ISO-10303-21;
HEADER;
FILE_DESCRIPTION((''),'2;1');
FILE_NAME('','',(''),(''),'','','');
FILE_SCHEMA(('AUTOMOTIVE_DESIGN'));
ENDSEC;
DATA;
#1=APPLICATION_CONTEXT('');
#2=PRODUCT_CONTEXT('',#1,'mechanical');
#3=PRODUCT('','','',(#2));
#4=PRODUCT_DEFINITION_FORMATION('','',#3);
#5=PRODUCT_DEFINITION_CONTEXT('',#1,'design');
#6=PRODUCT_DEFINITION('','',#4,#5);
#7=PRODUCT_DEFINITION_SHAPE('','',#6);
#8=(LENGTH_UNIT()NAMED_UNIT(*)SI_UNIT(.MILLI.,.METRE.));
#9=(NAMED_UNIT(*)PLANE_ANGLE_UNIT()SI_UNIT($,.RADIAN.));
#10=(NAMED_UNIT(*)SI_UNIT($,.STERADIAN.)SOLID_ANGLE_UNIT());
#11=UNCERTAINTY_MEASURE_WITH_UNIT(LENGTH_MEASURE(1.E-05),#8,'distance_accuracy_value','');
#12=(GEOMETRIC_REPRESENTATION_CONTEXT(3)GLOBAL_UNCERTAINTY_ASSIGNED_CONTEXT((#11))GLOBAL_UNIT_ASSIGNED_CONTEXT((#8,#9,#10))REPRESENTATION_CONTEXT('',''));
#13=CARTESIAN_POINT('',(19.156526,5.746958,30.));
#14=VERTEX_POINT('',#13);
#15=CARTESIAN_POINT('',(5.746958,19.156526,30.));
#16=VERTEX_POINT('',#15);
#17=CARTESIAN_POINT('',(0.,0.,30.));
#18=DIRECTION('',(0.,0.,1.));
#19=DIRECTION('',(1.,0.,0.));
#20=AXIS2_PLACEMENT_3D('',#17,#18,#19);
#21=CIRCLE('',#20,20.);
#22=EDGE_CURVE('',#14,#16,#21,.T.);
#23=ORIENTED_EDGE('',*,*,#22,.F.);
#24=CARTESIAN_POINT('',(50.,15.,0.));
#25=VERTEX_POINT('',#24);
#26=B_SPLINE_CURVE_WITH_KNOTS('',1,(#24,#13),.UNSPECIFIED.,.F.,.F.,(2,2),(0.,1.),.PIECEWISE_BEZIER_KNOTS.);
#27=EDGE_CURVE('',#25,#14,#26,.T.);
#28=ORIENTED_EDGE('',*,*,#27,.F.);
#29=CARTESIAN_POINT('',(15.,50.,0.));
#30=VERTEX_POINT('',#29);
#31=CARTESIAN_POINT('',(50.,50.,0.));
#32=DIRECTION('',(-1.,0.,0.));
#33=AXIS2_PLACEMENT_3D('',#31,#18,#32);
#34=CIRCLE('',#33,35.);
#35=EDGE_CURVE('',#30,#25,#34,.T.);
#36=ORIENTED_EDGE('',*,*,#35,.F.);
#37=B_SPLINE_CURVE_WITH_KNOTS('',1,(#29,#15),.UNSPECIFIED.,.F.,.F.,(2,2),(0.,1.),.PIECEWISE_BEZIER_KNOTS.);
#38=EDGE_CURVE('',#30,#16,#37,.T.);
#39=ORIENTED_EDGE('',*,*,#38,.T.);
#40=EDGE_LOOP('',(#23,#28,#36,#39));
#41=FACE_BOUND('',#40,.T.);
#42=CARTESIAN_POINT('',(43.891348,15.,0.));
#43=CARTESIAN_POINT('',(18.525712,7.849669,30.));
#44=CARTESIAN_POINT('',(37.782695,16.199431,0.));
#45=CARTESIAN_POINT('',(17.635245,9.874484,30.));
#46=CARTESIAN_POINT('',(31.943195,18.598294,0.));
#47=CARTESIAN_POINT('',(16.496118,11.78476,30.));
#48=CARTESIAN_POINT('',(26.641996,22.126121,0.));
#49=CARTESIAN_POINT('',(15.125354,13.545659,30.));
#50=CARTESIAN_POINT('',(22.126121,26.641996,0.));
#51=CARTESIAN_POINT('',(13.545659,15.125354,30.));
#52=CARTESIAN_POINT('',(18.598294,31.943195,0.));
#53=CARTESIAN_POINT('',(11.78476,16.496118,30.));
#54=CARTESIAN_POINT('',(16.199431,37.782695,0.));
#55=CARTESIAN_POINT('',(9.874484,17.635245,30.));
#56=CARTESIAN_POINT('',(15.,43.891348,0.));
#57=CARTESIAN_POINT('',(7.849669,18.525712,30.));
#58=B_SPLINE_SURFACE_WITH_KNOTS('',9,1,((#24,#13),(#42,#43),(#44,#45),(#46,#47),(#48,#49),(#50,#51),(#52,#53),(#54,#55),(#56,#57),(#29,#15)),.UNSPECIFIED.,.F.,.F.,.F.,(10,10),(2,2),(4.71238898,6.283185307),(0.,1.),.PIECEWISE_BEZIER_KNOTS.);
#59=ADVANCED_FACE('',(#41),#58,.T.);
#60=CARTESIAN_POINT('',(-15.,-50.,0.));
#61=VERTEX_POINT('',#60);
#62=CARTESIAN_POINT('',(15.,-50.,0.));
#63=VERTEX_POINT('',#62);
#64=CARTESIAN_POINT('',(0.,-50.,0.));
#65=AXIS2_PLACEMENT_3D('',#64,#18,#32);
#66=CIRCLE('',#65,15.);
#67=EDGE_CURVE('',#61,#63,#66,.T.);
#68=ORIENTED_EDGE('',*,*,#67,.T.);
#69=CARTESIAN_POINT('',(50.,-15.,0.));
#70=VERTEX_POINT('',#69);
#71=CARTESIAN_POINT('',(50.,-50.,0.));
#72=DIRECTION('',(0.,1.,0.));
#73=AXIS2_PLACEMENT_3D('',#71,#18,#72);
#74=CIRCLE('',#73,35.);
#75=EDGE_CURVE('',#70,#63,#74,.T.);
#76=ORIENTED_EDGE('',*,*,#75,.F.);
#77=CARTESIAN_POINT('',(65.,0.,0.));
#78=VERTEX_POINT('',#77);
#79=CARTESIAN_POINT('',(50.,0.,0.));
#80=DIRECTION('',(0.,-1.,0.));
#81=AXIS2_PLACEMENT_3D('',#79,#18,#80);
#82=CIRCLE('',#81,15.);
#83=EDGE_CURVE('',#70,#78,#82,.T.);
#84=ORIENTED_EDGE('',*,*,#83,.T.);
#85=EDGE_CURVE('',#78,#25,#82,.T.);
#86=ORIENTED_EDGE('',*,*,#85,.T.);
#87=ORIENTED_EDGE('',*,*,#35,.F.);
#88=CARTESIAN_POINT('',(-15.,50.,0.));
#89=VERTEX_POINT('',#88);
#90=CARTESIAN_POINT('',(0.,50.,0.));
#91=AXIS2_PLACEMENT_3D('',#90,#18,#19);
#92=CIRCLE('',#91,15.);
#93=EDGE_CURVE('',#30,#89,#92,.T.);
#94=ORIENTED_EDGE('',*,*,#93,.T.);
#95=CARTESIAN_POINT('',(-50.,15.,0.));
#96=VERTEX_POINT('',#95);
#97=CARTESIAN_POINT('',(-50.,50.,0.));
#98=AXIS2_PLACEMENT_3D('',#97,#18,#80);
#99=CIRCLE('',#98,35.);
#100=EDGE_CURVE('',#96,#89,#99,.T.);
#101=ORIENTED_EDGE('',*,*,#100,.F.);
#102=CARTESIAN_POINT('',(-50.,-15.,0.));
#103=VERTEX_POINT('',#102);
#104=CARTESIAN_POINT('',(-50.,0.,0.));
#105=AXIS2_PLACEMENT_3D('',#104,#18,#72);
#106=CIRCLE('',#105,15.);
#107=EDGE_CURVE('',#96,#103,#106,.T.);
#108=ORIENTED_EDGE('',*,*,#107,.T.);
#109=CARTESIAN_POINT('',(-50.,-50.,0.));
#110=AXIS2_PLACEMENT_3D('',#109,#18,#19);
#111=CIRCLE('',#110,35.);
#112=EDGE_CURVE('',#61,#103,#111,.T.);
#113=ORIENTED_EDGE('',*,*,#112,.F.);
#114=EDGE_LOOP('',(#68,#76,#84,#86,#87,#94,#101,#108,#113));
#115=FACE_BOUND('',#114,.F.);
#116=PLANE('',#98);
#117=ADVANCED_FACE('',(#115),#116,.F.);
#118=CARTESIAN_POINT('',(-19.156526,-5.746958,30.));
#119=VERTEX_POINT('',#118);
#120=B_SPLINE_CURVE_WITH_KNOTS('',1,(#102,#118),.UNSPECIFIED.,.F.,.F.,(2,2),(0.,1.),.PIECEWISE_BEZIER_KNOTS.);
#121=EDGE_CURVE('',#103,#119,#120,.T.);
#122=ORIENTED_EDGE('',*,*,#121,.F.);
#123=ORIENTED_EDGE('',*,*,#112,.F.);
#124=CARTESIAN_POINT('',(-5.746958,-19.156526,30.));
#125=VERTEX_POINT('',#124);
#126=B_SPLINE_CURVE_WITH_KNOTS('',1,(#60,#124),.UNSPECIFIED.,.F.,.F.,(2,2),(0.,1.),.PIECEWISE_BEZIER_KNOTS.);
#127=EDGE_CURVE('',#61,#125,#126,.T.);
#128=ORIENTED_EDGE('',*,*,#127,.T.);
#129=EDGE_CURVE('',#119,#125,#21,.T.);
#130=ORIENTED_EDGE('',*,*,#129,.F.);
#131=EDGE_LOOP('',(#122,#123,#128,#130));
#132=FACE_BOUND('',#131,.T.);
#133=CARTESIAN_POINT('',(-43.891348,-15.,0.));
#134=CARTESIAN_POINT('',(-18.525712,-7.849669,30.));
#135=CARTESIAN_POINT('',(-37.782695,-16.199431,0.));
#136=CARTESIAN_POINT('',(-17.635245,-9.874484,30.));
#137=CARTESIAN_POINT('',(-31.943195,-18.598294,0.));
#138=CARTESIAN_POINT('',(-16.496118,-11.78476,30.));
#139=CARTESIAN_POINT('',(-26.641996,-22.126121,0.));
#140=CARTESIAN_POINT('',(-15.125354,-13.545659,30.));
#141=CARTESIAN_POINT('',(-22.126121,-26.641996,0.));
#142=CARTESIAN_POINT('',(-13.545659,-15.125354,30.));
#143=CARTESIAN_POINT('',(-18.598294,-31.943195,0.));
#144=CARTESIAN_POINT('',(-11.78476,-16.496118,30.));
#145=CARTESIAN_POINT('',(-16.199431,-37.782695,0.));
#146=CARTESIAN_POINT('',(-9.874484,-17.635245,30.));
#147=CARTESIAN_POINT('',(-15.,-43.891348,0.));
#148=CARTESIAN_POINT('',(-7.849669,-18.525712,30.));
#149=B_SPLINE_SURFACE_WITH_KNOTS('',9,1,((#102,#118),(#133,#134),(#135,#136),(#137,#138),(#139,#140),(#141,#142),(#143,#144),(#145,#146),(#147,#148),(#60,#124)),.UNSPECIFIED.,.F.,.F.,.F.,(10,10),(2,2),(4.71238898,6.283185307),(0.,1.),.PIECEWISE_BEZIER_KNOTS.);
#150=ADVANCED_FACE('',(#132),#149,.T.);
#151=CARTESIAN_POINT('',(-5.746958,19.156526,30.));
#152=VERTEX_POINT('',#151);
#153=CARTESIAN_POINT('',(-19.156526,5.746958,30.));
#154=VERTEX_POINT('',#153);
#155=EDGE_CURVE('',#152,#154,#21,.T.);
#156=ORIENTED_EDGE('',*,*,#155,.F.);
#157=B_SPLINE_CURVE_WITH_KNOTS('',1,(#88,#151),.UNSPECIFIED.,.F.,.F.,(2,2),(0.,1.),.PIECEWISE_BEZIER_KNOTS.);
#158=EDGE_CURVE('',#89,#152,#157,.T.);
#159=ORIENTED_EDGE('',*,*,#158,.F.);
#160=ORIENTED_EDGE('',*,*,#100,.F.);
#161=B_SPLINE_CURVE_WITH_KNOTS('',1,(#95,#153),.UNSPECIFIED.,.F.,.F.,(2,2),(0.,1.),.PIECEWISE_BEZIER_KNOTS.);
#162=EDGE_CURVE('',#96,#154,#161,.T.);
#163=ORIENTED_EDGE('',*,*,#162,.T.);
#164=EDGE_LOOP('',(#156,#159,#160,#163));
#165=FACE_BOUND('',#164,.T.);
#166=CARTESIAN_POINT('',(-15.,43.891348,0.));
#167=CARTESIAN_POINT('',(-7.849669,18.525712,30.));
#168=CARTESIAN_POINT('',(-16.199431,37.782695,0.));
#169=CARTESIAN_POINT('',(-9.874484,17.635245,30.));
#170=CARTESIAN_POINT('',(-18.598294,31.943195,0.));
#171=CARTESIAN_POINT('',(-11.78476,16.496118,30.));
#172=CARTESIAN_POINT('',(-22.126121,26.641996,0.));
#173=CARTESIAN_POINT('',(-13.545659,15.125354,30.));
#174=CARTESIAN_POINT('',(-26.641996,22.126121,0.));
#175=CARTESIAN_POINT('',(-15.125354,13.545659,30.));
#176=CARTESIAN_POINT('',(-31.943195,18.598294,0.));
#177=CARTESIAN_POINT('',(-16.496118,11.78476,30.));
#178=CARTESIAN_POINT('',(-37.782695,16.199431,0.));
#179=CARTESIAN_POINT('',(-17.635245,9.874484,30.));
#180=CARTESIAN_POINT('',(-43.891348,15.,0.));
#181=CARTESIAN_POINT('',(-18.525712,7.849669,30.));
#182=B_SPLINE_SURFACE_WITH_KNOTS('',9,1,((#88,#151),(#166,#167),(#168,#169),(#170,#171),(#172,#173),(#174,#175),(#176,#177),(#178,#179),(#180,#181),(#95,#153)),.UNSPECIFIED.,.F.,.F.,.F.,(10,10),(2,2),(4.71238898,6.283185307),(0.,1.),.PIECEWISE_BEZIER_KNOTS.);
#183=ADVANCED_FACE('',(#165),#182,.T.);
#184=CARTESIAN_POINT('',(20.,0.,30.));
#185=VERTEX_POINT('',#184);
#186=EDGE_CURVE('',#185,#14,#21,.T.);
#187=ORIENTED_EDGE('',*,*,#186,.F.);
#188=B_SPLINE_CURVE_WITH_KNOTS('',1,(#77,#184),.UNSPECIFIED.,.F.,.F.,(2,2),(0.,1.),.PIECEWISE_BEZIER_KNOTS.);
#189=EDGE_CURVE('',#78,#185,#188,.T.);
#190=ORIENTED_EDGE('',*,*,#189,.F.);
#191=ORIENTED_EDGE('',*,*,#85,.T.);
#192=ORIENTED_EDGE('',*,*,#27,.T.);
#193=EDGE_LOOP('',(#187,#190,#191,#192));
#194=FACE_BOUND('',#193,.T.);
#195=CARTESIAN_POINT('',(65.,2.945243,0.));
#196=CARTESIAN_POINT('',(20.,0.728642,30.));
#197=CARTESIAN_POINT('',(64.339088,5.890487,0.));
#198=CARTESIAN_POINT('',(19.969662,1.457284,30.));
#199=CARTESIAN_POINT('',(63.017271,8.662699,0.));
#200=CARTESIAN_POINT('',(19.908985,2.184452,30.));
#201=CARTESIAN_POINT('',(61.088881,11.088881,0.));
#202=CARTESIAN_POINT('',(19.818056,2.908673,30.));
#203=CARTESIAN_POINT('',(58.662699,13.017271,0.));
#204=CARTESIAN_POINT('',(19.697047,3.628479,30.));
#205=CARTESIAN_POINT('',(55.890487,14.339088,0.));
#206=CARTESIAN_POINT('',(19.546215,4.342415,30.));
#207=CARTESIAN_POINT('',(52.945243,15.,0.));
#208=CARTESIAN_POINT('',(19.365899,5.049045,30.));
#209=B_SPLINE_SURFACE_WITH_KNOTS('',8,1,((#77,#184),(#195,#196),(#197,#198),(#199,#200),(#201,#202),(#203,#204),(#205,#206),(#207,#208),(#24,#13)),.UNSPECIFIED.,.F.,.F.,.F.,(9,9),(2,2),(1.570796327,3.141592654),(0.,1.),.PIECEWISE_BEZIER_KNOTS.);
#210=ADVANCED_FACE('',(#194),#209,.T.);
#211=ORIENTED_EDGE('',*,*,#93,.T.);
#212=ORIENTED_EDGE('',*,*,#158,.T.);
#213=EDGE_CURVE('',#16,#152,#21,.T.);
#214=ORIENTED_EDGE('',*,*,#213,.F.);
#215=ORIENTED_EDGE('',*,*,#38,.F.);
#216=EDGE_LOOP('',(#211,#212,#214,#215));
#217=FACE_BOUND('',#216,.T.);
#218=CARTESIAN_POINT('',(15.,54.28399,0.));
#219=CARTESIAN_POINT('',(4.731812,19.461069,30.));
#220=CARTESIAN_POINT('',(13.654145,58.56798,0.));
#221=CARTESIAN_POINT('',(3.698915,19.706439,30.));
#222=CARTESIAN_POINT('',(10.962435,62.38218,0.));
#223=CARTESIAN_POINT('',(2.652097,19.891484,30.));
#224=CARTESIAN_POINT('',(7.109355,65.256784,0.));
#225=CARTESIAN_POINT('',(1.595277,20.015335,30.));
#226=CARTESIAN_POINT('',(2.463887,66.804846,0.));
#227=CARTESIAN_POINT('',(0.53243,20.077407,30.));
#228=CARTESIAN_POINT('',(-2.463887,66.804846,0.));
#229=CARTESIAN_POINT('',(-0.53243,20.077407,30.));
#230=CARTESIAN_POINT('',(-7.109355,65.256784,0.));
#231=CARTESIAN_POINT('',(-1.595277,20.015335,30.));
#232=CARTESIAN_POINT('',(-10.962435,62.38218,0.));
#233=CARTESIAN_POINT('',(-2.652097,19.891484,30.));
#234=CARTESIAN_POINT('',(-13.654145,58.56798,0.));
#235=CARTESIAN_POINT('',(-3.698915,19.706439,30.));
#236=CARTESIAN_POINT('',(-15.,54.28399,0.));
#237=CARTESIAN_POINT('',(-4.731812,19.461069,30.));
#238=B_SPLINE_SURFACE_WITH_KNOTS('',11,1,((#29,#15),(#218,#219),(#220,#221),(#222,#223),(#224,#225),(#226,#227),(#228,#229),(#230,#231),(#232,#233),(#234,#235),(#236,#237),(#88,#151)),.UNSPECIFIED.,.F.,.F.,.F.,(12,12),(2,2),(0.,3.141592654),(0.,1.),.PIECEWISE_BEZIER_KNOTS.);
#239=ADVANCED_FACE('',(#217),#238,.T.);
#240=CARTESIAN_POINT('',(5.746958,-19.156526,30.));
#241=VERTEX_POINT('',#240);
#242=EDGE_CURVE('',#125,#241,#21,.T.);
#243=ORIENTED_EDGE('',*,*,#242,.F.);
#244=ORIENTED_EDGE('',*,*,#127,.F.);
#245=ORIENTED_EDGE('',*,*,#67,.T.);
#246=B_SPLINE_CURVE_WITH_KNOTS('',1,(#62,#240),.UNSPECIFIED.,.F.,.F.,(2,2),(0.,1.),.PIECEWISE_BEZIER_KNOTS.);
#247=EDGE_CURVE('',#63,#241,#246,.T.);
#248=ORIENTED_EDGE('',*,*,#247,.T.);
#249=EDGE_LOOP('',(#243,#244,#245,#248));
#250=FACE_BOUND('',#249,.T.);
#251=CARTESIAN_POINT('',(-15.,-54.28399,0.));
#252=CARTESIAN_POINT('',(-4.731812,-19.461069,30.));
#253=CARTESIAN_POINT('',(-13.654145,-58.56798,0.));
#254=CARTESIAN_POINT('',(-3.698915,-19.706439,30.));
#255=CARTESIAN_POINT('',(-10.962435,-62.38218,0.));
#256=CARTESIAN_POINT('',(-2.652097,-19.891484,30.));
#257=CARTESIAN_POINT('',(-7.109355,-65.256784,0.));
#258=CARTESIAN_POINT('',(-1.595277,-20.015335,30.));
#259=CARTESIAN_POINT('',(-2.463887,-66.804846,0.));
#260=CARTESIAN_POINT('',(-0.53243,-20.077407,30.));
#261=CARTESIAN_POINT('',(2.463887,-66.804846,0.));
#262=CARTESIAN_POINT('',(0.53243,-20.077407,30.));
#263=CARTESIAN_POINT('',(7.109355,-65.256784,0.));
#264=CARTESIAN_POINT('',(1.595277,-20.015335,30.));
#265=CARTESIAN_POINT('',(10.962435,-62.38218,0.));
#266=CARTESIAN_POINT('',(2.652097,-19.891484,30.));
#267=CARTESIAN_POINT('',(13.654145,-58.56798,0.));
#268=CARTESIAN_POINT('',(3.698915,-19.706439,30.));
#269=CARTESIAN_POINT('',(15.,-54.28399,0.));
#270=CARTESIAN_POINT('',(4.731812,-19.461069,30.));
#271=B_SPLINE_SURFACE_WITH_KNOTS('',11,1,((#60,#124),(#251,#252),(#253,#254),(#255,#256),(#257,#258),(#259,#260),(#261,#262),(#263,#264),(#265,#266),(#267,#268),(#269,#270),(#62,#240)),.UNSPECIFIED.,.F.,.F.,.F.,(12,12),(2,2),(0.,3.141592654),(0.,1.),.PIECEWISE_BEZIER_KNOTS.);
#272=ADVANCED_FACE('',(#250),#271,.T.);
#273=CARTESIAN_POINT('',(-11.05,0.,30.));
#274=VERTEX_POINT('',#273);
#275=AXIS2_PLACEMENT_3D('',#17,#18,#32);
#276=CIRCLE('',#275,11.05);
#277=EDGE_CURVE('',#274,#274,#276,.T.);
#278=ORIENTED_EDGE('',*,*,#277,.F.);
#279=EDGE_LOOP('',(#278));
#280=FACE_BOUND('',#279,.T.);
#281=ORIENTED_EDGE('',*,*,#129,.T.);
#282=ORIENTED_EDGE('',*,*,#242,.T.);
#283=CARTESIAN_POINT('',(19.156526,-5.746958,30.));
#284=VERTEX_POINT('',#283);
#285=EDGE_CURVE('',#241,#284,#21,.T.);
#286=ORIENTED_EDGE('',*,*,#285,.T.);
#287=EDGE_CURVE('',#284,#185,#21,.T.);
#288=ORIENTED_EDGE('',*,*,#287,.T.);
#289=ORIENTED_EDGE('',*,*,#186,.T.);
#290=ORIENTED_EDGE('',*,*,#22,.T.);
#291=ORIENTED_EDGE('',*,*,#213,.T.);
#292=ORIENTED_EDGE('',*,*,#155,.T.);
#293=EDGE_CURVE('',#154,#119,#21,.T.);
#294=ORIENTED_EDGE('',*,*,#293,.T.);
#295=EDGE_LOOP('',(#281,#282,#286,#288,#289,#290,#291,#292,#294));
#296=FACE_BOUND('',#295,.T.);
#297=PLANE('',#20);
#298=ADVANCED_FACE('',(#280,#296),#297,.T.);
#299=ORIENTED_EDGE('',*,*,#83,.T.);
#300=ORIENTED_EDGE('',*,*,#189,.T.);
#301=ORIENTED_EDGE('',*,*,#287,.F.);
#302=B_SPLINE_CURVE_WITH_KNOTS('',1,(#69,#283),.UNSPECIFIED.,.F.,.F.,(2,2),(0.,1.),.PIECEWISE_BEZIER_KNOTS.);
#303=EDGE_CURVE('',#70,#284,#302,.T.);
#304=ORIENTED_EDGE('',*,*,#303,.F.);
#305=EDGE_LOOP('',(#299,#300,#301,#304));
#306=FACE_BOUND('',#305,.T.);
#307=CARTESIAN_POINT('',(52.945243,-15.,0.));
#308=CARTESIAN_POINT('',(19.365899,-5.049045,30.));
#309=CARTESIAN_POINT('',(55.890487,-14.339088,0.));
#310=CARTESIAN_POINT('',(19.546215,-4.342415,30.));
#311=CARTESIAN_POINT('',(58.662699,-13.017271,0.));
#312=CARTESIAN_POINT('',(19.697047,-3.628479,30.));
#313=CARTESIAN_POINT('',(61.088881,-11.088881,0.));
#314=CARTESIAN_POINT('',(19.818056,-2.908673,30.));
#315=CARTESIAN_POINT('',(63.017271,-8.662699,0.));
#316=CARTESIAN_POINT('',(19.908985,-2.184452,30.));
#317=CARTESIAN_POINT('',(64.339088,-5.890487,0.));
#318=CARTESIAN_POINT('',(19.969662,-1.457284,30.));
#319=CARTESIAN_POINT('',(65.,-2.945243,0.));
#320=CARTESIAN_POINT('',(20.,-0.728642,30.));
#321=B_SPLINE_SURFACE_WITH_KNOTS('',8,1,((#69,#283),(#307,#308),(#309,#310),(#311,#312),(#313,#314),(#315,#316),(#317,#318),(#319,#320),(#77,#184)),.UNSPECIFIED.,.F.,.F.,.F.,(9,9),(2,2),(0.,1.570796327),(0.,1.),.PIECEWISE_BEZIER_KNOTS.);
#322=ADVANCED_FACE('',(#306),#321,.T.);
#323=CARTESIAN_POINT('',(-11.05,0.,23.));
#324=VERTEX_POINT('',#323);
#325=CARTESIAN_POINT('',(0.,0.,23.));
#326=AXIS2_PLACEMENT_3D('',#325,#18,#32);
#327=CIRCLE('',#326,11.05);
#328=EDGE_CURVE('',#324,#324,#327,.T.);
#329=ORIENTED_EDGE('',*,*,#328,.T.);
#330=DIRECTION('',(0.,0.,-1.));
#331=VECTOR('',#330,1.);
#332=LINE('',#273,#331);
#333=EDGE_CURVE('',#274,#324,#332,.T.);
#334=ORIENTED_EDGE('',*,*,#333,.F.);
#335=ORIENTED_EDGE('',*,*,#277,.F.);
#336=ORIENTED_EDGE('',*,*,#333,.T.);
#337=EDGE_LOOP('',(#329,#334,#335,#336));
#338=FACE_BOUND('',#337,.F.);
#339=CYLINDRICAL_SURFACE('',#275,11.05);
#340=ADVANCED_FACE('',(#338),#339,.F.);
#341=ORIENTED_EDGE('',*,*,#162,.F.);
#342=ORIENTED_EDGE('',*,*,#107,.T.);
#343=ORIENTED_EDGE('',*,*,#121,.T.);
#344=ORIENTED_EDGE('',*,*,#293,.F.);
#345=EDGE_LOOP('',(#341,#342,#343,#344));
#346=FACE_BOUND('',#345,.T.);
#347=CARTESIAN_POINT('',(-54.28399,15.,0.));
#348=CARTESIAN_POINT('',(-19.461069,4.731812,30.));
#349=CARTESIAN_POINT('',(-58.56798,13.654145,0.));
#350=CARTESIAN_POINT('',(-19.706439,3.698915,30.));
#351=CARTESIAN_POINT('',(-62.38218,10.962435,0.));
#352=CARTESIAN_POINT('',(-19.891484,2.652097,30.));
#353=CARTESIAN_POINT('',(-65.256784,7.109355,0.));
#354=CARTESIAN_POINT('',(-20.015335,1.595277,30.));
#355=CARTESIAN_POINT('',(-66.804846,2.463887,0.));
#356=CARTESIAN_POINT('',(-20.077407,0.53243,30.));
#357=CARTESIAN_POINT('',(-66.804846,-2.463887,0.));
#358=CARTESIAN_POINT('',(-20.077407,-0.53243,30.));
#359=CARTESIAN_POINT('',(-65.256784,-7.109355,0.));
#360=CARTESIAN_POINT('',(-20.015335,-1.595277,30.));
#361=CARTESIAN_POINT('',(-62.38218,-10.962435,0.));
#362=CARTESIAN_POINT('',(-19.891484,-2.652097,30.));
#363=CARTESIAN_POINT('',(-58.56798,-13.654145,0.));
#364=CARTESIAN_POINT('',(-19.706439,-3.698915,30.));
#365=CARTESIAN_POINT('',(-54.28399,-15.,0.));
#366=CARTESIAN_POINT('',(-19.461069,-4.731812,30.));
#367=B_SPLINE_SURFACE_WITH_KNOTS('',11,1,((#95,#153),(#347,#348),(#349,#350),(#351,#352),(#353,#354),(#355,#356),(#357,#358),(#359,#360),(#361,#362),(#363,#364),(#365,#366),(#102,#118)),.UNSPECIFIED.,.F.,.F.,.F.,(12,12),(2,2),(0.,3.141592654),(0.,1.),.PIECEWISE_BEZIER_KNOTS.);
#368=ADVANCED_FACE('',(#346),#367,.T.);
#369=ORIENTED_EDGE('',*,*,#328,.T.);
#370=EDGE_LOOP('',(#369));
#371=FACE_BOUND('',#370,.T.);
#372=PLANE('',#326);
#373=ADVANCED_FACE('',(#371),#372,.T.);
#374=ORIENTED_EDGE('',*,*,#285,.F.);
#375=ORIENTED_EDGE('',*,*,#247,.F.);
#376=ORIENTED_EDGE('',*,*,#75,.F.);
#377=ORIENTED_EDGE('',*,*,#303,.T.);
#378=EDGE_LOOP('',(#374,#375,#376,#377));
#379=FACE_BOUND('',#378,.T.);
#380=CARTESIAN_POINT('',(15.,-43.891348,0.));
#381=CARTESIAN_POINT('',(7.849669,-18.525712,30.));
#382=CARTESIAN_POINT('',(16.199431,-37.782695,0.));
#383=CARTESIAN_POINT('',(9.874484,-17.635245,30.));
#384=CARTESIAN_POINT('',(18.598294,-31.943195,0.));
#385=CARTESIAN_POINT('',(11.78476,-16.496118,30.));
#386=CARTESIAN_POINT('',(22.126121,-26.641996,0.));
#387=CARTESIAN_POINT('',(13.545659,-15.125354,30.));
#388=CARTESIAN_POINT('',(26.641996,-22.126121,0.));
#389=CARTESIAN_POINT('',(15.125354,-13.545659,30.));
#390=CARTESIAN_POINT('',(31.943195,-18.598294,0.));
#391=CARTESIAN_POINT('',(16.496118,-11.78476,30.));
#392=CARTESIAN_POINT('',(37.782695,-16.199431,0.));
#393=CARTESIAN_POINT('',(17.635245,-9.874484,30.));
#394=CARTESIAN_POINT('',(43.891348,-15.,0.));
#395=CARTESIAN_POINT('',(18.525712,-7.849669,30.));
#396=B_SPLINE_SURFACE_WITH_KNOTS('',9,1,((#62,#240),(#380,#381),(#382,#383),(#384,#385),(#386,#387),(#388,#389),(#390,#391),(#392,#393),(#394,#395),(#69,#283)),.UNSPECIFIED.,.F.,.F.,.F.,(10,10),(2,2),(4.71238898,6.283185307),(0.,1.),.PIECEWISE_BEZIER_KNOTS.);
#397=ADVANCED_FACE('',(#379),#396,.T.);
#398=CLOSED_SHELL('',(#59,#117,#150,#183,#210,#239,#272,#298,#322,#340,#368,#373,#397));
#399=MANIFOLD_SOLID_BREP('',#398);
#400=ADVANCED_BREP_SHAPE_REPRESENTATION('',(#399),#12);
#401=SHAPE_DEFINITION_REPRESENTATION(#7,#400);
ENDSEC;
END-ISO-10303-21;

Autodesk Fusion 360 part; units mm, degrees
sketch "Sketch1" plane through (0, 0, 0) normal (0, 0, 1) x (1, 0, 0)
  line L0 (-50, 0) -> (50, 0) construction
  line L1 (0, 50) -> (0, -50) construction
  arc A0 (-50, 15) -> (-15, 50) centre (-50, 50) ccw
  arc A1 (15, 50) -> (50, 15) centre (50, 50) ccw
  arc A2 (50, -15) -> (15, -50) centre (50, -50) ccw
  arc A3 (-15, -50) -> (-50, -15) centre (-50, -50) ccw
  arc A4 (-50, 15) -> (-50, -15) centre (-50, 0) ccw
  arc A5 (15, 50) -> (-15, 50) centre (0, 50) ccw
  arc A6 (50, -15) -> (50, 15) centre (50, 0) ccw
  arc A7 (-15, -50) -> (15, -50) centre (0, -50) ccw
  dimension "d2" = 100
  dimension "d3" = 100
  dimension "d4" = 30
ref_plane "WorkPlane1" through (0, 0, 30) normal (0, 0, 1) x (1, 0, 0)
sketch "Sketch2" plane through (0, 0, 30) normal (0, 0, 1) x (1, 0, 0)
  circle A0 centre (0, 0) radius 20
loft "Loft1" add profiles "Sketch1", "Sketch2" section 1 section 2
sketch "Sketch3" plane through (0, 0, 30) normal (0, 0, 1) x (-1, 0, 0)
  circle A0 centre (0, 0) radius 20
  circle A1 centre (0, 0) radius 11.05
  dimension "d6" = 22.1
extrude "Extrude1" cut sketch "Sketch3" against normal blind 7 contours A1
